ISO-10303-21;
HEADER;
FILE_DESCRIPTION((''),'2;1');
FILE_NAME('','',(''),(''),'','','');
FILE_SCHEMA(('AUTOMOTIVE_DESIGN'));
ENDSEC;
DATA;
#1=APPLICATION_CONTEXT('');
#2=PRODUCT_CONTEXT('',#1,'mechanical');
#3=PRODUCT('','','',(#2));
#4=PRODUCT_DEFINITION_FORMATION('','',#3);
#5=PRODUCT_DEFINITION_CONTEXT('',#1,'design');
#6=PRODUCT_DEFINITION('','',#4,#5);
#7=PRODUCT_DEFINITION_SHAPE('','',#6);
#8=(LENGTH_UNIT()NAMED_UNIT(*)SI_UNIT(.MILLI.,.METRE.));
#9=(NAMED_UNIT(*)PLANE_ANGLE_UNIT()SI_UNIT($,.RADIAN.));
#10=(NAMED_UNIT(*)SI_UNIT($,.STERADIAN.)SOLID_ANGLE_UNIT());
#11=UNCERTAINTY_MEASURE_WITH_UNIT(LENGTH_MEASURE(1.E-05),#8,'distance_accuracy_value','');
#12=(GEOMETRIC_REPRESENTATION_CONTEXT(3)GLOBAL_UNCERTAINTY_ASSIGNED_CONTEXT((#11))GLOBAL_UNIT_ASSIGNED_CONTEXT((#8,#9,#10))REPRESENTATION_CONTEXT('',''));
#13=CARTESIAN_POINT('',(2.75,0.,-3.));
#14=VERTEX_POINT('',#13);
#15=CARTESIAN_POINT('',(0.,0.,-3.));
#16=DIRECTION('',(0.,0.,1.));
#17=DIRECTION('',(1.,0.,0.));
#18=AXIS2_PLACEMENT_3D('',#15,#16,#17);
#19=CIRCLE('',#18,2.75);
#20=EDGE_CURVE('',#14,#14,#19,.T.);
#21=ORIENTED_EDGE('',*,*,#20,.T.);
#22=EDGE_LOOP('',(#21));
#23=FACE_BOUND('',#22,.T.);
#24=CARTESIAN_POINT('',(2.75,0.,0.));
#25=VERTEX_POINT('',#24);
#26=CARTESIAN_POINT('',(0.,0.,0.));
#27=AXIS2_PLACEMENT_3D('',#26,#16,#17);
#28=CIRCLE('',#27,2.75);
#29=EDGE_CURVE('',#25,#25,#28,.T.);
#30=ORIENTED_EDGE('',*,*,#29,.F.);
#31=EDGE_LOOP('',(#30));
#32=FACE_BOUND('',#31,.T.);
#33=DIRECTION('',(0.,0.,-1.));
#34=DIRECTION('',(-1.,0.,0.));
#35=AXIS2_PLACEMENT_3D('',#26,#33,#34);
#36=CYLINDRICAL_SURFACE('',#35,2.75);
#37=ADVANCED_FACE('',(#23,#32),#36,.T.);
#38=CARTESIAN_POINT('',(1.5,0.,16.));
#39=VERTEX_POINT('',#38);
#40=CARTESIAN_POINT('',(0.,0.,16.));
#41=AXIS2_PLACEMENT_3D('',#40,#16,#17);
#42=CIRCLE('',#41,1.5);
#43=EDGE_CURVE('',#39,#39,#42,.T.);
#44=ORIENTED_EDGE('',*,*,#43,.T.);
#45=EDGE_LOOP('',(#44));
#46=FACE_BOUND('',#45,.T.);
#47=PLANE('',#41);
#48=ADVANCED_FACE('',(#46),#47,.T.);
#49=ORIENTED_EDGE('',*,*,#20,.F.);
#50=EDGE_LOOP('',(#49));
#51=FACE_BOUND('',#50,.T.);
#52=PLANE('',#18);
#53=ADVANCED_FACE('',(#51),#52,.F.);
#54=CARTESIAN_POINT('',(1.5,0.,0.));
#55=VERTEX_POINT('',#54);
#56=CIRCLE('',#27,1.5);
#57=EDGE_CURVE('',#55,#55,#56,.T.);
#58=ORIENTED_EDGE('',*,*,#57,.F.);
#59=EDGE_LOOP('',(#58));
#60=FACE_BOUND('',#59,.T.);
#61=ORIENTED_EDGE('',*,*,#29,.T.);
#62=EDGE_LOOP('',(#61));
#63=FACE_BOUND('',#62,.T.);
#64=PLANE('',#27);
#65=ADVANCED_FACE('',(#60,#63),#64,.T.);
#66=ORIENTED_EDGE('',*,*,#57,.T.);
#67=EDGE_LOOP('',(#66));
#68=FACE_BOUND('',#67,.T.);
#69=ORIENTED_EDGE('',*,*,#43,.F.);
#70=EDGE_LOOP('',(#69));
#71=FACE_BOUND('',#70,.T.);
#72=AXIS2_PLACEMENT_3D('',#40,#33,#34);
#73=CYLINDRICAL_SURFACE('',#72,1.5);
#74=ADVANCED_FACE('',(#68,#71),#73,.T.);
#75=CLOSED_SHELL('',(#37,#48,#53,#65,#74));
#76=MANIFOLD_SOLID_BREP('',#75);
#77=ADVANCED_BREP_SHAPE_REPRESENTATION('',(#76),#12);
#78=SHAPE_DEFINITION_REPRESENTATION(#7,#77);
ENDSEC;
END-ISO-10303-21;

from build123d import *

# Parameters (mm, degrees)
HEAD_ENVELOPE_START         = -3
SKETCH1_R                   = 2.75
HEAD_ENVELOPE_DEPTH         = 3
SKETCH2_R                   = 1.5
THREAD_MAJOR_ENVELOPE_DEPTH = 16


with BuildPart() as part:
    # Sketch1 → Head_Envelope (new body)
    with BuildSketch(Plane.XY.offset(HEAD_ENVELOPE_START)):
        Circle(SKETCH1_R)
    extrude(amount=HEAD_ENVELOPE_DEPTH)

    # Sketch2 → Thread_Major_Envelope (add)
    with BuildSketch(Plane.XY):
        Circle(SKETCH2_R)
    extrude(amount=THREAD_MAJOR_ENVELOPE_DEPTH)


solid = part.part
